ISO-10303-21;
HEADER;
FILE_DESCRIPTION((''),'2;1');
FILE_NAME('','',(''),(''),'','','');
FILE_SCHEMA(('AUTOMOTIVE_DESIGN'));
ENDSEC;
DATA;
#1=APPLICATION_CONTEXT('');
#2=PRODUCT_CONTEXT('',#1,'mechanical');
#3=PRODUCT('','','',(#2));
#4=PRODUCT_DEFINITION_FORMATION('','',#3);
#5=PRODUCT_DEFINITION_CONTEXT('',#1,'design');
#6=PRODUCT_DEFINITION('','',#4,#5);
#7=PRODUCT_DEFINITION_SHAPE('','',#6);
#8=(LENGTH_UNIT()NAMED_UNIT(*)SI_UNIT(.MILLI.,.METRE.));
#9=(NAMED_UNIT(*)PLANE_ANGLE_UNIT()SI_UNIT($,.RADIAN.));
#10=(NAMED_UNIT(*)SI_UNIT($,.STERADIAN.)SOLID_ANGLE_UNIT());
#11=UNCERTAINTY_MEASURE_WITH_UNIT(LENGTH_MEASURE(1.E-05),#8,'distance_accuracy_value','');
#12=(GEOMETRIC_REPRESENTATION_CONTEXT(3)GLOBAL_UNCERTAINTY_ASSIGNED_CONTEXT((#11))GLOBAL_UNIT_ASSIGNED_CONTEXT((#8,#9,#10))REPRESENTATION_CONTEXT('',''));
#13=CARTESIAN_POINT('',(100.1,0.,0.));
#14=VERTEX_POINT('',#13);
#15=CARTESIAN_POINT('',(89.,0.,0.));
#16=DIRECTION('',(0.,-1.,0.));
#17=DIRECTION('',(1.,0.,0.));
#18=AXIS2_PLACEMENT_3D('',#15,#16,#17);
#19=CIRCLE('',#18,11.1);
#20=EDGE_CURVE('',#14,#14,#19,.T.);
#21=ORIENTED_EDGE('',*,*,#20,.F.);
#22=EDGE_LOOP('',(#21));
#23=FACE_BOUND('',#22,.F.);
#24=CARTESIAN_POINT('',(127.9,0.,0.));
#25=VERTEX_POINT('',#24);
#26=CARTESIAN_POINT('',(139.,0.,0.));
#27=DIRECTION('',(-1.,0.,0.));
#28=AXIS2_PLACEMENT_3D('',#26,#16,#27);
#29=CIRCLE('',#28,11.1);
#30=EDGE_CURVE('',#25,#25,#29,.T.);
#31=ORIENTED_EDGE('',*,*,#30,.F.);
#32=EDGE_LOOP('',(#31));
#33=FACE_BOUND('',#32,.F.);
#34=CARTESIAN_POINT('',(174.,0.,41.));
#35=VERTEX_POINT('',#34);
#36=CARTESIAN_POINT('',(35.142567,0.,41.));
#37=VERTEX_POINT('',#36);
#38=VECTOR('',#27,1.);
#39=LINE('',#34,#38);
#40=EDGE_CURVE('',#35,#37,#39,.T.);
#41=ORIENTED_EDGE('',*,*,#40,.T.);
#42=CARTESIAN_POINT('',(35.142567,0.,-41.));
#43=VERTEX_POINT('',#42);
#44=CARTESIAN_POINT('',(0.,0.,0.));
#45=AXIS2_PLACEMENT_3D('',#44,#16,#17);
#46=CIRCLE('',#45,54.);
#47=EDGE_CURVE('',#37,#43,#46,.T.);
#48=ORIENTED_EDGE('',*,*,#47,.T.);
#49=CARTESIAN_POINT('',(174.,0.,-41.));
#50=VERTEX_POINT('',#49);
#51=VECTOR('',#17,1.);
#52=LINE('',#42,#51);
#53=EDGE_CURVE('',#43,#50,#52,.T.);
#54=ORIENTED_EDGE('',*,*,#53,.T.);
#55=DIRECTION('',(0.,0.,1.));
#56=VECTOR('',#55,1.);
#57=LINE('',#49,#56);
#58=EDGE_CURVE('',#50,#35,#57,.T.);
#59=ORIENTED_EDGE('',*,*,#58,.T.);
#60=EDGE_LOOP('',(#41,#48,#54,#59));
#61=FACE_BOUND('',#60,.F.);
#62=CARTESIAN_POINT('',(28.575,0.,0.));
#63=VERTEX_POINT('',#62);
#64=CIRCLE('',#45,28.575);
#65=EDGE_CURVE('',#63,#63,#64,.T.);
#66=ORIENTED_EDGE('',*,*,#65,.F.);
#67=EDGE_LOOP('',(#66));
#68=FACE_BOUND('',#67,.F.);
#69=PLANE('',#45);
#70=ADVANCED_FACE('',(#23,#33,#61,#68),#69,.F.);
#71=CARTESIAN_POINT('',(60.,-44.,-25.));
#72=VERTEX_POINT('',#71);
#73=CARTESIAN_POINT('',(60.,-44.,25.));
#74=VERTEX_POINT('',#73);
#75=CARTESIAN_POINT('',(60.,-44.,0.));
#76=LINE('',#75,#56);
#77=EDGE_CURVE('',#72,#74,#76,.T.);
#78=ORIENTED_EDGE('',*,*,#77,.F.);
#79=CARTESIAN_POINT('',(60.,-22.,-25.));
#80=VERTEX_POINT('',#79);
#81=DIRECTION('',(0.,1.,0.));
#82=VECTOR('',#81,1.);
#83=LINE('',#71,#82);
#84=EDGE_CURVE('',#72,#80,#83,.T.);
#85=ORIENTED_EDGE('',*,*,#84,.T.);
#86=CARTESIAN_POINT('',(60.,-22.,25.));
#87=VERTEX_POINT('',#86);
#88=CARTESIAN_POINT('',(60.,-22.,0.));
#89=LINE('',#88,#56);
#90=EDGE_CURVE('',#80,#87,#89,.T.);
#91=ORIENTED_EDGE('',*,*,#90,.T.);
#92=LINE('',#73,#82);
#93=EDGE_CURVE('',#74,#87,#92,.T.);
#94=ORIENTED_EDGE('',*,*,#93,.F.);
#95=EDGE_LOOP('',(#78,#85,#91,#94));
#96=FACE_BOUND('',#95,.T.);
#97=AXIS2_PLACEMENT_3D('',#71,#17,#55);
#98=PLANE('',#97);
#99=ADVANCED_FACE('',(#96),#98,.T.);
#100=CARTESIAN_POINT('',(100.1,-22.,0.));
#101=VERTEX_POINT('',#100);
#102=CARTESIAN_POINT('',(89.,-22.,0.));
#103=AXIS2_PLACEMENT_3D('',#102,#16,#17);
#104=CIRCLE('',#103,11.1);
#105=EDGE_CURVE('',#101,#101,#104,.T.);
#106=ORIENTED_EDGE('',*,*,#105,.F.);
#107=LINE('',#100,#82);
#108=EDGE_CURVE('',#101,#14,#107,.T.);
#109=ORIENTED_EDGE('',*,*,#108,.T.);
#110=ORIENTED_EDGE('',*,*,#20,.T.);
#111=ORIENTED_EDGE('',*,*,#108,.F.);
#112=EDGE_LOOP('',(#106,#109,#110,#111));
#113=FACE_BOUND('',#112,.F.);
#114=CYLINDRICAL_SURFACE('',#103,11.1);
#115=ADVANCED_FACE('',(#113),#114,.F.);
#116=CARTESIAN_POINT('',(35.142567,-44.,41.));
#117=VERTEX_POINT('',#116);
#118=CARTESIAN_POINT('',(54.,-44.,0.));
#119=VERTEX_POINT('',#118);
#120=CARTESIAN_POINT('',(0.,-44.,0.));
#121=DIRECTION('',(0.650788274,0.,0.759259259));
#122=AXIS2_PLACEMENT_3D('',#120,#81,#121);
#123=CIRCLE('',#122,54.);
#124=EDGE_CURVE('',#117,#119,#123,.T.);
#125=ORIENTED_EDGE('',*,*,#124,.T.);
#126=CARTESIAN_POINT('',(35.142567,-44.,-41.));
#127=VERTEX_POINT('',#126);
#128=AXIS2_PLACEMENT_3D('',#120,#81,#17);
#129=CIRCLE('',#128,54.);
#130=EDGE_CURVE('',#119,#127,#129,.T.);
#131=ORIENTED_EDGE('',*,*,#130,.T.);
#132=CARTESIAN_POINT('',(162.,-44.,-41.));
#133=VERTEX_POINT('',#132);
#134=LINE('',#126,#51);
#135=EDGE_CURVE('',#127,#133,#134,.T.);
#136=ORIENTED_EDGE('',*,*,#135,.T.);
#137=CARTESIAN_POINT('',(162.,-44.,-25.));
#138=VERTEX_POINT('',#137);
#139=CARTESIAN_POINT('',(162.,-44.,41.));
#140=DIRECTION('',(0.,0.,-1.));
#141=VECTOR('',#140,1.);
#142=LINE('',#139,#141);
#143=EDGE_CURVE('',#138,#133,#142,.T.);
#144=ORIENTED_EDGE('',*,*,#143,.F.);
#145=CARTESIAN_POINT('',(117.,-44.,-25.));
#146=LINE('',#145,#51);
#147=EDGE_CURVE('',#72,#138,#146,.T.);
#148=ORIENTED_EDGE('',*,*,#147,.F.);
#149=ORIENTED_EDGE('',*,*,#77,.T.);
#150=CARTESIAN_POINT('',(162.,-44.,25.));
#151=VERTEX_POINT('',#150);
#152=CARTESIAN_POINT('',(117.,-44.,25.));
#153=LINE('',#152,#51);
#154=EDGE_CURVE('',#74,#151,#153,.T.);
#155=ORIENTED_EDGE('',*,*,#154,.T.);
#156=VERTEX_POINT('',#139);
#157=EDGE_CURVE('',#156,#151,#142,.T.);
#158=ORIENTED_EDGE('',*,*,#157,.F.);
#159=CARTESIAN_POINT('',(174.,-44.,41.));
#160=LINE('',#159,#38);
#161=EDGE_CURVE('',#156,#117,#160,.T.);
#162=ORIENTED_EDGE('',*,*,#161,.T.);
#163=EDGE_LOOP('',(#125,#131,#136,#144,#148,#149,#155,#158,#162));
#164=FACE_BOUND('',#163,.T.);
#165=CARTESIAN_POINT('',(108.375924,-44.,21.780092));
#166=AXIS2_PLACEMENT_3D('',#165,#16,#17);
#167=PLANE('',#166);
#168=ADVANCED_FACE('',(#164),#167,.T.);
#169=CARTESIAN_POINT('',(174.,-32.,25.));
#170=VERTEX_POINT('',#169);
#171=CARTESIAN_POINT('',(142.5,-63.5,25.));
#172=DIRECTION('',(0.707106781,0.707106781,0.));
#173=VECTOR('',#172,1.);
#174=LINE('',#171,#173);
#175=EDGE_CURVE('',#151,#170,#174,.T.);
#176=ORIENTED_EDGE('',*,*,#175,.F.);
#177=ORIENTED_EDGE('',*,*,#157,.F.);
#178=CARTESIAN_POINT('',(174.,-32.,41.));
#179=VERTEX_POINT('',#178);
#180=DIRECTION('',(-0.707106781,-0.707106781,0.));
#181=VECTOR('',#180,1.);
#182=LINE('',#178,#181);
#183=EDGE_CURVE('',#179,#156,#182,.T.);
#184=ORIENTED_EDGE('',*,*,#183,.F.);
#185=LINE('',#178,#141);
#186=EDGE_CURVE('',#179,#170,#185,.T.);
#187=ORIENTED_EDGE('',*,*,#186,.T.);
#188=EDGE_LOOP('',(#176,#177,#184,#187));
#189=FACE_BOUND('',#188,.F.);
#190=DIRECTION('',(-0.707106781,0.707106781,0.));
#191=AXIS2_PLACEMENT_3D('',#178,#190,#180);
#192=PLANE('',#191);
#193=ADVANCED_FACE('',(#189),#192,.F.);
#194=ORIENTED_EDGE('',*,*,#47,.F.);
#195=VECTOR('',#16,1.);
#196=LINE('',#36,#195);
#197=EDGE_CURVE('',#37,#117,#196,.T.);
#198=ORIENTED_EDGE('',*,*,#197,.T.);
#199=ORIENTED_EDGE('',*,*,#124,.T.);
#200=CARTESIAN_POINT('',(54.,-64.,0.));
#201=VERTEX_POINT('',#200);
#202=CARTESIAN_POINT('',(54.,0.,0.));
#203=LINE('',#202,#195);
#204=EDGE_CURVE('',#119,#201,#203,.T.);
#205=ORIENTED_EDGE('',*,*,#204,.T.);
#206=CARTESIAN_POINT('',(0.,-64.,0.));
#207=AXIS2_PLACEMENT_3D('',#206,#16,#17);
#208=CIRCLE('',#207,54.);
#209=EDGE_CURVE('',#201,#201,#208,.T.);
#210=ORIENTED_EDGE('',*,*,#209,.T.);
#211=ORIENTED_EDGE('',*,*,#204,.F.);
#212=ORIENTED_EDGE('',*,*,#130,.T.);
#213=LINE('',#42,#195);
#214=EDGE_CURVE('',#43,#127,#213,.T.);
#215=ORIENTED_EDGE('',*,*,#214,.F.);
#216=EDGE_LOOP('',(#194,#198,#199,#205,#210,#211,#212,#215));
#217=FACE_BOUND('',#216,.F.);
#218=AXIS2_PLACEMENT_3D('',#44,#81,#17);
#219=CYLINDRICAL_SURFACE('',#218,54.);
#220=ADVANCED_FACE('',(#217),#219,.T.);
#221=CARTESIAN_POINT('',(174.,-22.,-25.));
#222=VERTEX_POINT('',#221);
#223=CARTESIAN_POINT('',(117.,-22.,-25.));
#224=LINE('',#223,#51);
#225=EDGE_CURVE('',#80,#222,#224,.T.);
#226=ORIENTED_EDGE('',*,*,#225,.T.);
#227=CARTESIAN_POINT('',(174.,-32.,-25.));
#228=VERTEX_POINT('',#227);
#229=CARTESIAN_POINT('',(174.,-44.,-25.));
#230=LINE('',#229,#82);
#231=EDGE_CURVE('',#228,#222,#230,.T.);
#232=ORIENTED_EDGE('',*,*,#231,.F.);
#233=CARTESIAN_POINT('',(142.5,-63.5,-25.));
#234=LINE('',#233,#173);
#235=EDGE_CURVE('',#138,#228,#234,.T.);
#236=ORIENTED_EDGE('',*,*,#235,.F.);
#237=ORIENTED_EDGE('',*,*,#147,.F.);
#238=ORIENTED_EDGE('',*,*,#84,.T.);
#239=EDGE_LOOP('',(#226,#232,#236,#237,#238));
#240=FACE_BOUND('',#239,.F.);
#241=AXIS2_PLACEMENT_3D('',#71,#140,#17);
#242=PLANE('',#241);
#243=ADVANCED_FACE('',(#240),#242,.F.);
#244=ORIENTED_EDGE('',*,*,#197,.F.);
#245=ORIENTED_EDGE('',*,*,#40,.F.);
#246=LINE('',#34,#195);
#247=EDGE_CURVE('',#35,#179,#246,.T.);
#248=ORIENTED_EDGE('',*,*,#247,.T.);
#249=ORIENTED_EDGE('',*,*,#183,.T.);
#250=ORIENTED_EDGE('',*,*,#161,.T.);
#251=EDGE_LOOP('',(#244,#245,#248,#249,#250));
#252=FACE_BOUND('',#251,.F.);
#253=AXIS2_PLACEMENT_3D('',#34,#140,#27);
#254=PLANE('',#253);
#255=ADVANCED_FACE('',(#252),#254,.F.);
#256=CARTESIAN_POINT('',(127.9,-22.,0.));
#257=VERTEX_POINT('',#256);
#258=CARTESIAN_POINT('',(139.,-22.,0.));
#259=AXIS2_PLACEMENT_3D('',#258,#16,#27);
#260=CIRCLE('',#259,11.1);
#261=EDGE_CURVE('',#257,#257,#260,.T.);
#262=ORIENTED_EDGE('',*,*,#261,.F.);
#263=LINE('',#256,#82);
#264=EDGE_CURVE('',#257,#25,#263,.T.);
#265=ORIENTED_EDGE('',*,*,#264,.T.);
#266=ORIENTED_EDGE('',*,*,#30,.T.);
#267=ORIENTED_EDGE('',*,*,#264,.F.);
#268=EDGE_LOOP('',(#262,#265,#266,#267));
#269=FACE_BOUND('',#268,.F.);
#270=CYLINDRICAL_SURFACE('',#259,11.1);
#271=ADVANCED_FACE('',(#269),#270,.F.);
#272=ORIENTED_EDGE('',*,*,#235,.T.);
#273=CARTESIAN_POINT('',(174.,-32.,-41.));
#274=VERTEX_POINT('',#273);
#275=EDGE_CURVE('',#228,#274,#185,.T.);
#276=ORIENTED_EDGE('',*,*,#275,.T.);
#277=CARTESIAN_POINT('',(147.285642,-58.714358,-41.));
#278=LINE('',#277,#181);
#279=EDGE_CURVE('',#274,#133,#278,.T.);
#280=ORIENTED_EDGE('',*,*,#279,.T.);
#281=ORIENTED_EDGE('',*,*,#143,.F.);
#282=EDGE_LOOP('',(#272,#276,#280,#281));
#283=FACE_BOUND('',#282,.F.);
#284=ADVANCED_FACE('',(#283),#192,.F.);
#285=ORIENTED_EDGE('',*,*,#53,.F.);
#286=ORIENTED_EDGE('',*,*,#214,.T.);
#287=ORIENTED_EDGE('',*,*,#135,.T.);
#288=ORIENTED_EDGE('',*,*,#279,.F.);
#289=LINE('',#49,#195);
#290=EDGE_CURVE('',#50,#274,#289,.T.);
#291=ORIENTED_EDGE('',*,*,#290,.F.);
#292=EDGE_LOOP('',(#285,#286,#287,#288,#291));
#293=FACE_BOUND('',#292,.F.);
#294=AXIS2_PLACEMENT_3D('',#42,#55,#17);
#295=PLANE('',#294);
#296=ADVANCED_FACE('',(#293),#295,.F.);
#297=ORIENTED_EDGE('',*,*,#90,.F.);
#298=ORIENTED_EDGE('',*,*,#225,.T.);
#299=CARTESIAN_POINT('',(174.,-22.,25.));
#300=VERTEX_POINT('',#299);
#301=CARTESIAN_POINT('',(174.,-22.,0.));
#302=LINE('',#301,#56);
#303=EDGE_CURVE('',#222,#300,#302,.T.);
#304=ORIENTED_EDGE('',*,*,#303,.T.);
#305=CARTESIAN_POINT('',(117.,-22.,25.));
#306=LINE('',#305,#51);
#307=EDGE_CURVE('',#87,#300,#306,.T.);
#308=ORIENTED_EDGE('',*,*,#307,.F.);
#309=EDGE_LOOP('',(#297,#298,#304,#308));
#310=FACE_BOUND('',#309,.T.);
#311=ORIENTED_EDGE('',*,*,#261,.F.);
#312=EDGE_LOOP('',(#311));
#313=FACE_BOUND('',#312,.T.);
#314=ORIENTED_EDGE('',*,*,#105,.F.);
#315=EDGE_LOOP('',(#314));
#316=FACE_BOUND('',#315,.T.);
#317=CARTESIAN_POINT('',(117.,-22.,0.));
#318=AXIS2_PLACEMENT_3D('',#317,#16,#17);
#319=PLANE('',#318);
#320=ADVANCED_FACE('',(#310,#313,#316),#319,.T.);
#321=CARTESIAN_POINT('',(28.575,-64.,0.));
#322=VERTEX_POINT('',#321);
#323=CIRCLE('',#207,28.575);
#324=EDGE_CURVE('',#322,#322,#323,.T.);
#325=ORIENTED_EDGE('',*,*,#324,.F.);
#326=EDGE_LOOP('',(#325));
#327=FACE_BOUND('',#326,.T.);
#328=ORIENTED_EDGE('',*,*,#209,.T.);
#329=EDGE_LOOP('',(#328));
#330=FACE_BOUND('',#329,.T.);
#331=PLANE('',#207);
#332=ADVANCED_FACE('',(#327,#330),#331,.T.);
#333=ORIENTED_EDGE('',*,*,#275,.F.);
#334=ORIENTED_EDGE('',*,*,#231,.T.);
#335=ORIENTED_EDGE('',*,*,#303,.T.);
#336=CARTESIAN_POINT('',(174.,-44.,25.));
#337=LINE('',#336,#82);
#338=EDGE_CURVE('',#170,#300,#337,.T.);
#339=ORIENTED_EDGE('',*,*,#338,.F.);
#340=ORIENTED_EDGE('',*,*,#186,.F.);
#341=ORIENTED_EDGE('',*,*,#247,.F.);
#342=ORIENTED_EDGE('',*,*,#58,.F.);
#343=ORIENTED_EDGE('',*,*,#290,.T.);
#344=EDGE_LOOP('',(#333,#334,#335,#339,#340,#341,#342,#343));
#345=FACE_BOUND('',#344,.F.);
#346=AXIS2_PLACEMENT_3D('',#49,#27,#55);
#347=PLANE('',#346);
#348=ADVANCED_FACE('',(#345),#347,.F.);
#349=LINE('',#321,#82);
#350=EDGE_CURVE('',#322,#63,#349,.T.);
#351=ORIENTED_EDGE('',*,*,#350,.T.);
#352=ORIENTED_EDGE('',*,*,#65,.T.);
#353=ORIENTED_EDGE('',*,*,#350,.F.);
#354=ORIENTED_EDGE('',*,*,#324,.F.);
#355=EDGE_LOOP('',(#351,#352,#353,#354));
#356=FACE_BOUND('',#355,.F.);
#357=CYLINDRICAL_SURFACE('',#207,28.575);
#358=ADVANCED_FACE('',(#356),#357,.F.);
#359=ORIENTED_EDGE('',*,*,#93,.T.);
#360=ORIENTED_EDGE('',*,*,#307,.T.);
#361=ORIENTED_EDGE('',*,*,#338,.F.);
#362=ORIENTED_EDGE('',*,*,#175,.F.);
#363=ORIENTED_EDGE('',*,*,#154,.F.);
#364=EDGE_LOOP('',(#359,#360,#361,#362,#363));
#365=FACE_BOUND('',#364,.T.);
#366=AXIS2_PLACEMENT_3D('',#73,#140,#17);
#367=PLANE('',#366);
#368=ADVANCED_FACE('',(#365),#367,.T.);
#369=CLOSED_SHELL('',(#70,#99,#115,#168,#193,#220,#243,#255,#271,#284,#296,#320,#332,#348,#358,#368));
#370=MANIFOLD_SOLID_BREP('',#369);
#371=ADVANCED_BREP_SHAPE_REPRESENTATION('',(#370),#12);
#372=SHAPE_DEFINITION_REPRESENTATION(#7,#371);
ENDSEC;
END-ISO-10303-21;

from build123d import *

# Parameters (mm, degrees)
F1_DEPTH  = 44
F2_R      = 54
F2_R_2    = 28.575
F3_DEPTH  = 64
F4_W      = 114
F4_H      = 50
F5_DEPTH  = 22
F6_R      = 11.1
F7_DEPTH  = 22.001
F9_DEPTH  = 64.001
F11_DEPTH = 95.001


with BuildPart() as f1:
    # F0 (on Front) → F1 (new body)
    with BuildSketch(Plane.XZ):
        with BuildLine():
            ThreePointArc((35.1425667816, 41), (49.0596504584, 22.5643678594), (54, 0))
            Line((54, 0), (174, 0))
            Line((174, 0), (174, 41))
            Line((174, 41), (35.1425667816, 41))
        make_face()
        with BuildLine():
            Line((174, 0), (54, 0))
            ThreePointArc((54, 0), (49.0596504584, -22.5643678594), (35.1425667816, -41))
            Line((35.1425667816, -41), (174, -41))
            Line((174, -41), (174, 0))
        make_face()
    extrude(amount=F1_DEPTH)

    # F2 (on Front) → F3 (join)
    with BuildSketch(Plane.XZ):
        Circle(F2_R)
        Circle(F2_R_2, mode=Mode.SUBTRACT)
        Circle(F2_R_2)
    extrude(amount=F3_DEPTH)

    # F4 (on face) → F5 (cut)
    with BuildSketch(Plane.XZ.offset(44)):
        with Locations((117, 0)):
            Rectangle(F4_W, F4_H)
    extrude(amount=-F5_DEPTH, mode=Mode.SUBTRACT)

    # F6 (on face) → F7 (cut, through all)
    with BuildSketch(Plane.XZ.offset(22)):
        with BuildLine():
            Line((139, 0), (150.1, 0))
            ThreePointArc((150.1, 0), (139, 11.1), (127.9, 0))
            Line((127.9, 0), (139, 0))
        make_face()
        with BuildLine():
            ThreePointArc((127.9, 0), (139, -11.1), (150.1, 0))
            Line((150.1, 0), (139, 0))
            Line((139, 0), (127.9, 0))
        make_face()
        with Locations((89, 0)):
            Circle(F6_R)
    extrude(amount=-F7_DEPTH, mode=Mode.SUBTRACT)

    # F8 (on face) → F9 (cut, through all)
    with BuildSketch(Plane.XZ.offset(64)):
        with BuildLine():
            ThreePointArc((-28.575, 0), (0, -28.575), (28.575, 0))
            ThreePointArc((28.575, 0), (0, 28.575), (-28.575, 0))
        make_face()
    extrude(amount=-F9_DEPTH, mode=Mode.SUBTRACT)

    # F10 (on face) → F11 (cut, through all)
    with BuildSketch(Plane.XY.offset(41)):
        Polygon((174, -32), (162, -44), (174, -44), align=None)
    extrude(amount=-F11_DEPTH, mode=Mode.SUBTRACT)


solid = f1.part
